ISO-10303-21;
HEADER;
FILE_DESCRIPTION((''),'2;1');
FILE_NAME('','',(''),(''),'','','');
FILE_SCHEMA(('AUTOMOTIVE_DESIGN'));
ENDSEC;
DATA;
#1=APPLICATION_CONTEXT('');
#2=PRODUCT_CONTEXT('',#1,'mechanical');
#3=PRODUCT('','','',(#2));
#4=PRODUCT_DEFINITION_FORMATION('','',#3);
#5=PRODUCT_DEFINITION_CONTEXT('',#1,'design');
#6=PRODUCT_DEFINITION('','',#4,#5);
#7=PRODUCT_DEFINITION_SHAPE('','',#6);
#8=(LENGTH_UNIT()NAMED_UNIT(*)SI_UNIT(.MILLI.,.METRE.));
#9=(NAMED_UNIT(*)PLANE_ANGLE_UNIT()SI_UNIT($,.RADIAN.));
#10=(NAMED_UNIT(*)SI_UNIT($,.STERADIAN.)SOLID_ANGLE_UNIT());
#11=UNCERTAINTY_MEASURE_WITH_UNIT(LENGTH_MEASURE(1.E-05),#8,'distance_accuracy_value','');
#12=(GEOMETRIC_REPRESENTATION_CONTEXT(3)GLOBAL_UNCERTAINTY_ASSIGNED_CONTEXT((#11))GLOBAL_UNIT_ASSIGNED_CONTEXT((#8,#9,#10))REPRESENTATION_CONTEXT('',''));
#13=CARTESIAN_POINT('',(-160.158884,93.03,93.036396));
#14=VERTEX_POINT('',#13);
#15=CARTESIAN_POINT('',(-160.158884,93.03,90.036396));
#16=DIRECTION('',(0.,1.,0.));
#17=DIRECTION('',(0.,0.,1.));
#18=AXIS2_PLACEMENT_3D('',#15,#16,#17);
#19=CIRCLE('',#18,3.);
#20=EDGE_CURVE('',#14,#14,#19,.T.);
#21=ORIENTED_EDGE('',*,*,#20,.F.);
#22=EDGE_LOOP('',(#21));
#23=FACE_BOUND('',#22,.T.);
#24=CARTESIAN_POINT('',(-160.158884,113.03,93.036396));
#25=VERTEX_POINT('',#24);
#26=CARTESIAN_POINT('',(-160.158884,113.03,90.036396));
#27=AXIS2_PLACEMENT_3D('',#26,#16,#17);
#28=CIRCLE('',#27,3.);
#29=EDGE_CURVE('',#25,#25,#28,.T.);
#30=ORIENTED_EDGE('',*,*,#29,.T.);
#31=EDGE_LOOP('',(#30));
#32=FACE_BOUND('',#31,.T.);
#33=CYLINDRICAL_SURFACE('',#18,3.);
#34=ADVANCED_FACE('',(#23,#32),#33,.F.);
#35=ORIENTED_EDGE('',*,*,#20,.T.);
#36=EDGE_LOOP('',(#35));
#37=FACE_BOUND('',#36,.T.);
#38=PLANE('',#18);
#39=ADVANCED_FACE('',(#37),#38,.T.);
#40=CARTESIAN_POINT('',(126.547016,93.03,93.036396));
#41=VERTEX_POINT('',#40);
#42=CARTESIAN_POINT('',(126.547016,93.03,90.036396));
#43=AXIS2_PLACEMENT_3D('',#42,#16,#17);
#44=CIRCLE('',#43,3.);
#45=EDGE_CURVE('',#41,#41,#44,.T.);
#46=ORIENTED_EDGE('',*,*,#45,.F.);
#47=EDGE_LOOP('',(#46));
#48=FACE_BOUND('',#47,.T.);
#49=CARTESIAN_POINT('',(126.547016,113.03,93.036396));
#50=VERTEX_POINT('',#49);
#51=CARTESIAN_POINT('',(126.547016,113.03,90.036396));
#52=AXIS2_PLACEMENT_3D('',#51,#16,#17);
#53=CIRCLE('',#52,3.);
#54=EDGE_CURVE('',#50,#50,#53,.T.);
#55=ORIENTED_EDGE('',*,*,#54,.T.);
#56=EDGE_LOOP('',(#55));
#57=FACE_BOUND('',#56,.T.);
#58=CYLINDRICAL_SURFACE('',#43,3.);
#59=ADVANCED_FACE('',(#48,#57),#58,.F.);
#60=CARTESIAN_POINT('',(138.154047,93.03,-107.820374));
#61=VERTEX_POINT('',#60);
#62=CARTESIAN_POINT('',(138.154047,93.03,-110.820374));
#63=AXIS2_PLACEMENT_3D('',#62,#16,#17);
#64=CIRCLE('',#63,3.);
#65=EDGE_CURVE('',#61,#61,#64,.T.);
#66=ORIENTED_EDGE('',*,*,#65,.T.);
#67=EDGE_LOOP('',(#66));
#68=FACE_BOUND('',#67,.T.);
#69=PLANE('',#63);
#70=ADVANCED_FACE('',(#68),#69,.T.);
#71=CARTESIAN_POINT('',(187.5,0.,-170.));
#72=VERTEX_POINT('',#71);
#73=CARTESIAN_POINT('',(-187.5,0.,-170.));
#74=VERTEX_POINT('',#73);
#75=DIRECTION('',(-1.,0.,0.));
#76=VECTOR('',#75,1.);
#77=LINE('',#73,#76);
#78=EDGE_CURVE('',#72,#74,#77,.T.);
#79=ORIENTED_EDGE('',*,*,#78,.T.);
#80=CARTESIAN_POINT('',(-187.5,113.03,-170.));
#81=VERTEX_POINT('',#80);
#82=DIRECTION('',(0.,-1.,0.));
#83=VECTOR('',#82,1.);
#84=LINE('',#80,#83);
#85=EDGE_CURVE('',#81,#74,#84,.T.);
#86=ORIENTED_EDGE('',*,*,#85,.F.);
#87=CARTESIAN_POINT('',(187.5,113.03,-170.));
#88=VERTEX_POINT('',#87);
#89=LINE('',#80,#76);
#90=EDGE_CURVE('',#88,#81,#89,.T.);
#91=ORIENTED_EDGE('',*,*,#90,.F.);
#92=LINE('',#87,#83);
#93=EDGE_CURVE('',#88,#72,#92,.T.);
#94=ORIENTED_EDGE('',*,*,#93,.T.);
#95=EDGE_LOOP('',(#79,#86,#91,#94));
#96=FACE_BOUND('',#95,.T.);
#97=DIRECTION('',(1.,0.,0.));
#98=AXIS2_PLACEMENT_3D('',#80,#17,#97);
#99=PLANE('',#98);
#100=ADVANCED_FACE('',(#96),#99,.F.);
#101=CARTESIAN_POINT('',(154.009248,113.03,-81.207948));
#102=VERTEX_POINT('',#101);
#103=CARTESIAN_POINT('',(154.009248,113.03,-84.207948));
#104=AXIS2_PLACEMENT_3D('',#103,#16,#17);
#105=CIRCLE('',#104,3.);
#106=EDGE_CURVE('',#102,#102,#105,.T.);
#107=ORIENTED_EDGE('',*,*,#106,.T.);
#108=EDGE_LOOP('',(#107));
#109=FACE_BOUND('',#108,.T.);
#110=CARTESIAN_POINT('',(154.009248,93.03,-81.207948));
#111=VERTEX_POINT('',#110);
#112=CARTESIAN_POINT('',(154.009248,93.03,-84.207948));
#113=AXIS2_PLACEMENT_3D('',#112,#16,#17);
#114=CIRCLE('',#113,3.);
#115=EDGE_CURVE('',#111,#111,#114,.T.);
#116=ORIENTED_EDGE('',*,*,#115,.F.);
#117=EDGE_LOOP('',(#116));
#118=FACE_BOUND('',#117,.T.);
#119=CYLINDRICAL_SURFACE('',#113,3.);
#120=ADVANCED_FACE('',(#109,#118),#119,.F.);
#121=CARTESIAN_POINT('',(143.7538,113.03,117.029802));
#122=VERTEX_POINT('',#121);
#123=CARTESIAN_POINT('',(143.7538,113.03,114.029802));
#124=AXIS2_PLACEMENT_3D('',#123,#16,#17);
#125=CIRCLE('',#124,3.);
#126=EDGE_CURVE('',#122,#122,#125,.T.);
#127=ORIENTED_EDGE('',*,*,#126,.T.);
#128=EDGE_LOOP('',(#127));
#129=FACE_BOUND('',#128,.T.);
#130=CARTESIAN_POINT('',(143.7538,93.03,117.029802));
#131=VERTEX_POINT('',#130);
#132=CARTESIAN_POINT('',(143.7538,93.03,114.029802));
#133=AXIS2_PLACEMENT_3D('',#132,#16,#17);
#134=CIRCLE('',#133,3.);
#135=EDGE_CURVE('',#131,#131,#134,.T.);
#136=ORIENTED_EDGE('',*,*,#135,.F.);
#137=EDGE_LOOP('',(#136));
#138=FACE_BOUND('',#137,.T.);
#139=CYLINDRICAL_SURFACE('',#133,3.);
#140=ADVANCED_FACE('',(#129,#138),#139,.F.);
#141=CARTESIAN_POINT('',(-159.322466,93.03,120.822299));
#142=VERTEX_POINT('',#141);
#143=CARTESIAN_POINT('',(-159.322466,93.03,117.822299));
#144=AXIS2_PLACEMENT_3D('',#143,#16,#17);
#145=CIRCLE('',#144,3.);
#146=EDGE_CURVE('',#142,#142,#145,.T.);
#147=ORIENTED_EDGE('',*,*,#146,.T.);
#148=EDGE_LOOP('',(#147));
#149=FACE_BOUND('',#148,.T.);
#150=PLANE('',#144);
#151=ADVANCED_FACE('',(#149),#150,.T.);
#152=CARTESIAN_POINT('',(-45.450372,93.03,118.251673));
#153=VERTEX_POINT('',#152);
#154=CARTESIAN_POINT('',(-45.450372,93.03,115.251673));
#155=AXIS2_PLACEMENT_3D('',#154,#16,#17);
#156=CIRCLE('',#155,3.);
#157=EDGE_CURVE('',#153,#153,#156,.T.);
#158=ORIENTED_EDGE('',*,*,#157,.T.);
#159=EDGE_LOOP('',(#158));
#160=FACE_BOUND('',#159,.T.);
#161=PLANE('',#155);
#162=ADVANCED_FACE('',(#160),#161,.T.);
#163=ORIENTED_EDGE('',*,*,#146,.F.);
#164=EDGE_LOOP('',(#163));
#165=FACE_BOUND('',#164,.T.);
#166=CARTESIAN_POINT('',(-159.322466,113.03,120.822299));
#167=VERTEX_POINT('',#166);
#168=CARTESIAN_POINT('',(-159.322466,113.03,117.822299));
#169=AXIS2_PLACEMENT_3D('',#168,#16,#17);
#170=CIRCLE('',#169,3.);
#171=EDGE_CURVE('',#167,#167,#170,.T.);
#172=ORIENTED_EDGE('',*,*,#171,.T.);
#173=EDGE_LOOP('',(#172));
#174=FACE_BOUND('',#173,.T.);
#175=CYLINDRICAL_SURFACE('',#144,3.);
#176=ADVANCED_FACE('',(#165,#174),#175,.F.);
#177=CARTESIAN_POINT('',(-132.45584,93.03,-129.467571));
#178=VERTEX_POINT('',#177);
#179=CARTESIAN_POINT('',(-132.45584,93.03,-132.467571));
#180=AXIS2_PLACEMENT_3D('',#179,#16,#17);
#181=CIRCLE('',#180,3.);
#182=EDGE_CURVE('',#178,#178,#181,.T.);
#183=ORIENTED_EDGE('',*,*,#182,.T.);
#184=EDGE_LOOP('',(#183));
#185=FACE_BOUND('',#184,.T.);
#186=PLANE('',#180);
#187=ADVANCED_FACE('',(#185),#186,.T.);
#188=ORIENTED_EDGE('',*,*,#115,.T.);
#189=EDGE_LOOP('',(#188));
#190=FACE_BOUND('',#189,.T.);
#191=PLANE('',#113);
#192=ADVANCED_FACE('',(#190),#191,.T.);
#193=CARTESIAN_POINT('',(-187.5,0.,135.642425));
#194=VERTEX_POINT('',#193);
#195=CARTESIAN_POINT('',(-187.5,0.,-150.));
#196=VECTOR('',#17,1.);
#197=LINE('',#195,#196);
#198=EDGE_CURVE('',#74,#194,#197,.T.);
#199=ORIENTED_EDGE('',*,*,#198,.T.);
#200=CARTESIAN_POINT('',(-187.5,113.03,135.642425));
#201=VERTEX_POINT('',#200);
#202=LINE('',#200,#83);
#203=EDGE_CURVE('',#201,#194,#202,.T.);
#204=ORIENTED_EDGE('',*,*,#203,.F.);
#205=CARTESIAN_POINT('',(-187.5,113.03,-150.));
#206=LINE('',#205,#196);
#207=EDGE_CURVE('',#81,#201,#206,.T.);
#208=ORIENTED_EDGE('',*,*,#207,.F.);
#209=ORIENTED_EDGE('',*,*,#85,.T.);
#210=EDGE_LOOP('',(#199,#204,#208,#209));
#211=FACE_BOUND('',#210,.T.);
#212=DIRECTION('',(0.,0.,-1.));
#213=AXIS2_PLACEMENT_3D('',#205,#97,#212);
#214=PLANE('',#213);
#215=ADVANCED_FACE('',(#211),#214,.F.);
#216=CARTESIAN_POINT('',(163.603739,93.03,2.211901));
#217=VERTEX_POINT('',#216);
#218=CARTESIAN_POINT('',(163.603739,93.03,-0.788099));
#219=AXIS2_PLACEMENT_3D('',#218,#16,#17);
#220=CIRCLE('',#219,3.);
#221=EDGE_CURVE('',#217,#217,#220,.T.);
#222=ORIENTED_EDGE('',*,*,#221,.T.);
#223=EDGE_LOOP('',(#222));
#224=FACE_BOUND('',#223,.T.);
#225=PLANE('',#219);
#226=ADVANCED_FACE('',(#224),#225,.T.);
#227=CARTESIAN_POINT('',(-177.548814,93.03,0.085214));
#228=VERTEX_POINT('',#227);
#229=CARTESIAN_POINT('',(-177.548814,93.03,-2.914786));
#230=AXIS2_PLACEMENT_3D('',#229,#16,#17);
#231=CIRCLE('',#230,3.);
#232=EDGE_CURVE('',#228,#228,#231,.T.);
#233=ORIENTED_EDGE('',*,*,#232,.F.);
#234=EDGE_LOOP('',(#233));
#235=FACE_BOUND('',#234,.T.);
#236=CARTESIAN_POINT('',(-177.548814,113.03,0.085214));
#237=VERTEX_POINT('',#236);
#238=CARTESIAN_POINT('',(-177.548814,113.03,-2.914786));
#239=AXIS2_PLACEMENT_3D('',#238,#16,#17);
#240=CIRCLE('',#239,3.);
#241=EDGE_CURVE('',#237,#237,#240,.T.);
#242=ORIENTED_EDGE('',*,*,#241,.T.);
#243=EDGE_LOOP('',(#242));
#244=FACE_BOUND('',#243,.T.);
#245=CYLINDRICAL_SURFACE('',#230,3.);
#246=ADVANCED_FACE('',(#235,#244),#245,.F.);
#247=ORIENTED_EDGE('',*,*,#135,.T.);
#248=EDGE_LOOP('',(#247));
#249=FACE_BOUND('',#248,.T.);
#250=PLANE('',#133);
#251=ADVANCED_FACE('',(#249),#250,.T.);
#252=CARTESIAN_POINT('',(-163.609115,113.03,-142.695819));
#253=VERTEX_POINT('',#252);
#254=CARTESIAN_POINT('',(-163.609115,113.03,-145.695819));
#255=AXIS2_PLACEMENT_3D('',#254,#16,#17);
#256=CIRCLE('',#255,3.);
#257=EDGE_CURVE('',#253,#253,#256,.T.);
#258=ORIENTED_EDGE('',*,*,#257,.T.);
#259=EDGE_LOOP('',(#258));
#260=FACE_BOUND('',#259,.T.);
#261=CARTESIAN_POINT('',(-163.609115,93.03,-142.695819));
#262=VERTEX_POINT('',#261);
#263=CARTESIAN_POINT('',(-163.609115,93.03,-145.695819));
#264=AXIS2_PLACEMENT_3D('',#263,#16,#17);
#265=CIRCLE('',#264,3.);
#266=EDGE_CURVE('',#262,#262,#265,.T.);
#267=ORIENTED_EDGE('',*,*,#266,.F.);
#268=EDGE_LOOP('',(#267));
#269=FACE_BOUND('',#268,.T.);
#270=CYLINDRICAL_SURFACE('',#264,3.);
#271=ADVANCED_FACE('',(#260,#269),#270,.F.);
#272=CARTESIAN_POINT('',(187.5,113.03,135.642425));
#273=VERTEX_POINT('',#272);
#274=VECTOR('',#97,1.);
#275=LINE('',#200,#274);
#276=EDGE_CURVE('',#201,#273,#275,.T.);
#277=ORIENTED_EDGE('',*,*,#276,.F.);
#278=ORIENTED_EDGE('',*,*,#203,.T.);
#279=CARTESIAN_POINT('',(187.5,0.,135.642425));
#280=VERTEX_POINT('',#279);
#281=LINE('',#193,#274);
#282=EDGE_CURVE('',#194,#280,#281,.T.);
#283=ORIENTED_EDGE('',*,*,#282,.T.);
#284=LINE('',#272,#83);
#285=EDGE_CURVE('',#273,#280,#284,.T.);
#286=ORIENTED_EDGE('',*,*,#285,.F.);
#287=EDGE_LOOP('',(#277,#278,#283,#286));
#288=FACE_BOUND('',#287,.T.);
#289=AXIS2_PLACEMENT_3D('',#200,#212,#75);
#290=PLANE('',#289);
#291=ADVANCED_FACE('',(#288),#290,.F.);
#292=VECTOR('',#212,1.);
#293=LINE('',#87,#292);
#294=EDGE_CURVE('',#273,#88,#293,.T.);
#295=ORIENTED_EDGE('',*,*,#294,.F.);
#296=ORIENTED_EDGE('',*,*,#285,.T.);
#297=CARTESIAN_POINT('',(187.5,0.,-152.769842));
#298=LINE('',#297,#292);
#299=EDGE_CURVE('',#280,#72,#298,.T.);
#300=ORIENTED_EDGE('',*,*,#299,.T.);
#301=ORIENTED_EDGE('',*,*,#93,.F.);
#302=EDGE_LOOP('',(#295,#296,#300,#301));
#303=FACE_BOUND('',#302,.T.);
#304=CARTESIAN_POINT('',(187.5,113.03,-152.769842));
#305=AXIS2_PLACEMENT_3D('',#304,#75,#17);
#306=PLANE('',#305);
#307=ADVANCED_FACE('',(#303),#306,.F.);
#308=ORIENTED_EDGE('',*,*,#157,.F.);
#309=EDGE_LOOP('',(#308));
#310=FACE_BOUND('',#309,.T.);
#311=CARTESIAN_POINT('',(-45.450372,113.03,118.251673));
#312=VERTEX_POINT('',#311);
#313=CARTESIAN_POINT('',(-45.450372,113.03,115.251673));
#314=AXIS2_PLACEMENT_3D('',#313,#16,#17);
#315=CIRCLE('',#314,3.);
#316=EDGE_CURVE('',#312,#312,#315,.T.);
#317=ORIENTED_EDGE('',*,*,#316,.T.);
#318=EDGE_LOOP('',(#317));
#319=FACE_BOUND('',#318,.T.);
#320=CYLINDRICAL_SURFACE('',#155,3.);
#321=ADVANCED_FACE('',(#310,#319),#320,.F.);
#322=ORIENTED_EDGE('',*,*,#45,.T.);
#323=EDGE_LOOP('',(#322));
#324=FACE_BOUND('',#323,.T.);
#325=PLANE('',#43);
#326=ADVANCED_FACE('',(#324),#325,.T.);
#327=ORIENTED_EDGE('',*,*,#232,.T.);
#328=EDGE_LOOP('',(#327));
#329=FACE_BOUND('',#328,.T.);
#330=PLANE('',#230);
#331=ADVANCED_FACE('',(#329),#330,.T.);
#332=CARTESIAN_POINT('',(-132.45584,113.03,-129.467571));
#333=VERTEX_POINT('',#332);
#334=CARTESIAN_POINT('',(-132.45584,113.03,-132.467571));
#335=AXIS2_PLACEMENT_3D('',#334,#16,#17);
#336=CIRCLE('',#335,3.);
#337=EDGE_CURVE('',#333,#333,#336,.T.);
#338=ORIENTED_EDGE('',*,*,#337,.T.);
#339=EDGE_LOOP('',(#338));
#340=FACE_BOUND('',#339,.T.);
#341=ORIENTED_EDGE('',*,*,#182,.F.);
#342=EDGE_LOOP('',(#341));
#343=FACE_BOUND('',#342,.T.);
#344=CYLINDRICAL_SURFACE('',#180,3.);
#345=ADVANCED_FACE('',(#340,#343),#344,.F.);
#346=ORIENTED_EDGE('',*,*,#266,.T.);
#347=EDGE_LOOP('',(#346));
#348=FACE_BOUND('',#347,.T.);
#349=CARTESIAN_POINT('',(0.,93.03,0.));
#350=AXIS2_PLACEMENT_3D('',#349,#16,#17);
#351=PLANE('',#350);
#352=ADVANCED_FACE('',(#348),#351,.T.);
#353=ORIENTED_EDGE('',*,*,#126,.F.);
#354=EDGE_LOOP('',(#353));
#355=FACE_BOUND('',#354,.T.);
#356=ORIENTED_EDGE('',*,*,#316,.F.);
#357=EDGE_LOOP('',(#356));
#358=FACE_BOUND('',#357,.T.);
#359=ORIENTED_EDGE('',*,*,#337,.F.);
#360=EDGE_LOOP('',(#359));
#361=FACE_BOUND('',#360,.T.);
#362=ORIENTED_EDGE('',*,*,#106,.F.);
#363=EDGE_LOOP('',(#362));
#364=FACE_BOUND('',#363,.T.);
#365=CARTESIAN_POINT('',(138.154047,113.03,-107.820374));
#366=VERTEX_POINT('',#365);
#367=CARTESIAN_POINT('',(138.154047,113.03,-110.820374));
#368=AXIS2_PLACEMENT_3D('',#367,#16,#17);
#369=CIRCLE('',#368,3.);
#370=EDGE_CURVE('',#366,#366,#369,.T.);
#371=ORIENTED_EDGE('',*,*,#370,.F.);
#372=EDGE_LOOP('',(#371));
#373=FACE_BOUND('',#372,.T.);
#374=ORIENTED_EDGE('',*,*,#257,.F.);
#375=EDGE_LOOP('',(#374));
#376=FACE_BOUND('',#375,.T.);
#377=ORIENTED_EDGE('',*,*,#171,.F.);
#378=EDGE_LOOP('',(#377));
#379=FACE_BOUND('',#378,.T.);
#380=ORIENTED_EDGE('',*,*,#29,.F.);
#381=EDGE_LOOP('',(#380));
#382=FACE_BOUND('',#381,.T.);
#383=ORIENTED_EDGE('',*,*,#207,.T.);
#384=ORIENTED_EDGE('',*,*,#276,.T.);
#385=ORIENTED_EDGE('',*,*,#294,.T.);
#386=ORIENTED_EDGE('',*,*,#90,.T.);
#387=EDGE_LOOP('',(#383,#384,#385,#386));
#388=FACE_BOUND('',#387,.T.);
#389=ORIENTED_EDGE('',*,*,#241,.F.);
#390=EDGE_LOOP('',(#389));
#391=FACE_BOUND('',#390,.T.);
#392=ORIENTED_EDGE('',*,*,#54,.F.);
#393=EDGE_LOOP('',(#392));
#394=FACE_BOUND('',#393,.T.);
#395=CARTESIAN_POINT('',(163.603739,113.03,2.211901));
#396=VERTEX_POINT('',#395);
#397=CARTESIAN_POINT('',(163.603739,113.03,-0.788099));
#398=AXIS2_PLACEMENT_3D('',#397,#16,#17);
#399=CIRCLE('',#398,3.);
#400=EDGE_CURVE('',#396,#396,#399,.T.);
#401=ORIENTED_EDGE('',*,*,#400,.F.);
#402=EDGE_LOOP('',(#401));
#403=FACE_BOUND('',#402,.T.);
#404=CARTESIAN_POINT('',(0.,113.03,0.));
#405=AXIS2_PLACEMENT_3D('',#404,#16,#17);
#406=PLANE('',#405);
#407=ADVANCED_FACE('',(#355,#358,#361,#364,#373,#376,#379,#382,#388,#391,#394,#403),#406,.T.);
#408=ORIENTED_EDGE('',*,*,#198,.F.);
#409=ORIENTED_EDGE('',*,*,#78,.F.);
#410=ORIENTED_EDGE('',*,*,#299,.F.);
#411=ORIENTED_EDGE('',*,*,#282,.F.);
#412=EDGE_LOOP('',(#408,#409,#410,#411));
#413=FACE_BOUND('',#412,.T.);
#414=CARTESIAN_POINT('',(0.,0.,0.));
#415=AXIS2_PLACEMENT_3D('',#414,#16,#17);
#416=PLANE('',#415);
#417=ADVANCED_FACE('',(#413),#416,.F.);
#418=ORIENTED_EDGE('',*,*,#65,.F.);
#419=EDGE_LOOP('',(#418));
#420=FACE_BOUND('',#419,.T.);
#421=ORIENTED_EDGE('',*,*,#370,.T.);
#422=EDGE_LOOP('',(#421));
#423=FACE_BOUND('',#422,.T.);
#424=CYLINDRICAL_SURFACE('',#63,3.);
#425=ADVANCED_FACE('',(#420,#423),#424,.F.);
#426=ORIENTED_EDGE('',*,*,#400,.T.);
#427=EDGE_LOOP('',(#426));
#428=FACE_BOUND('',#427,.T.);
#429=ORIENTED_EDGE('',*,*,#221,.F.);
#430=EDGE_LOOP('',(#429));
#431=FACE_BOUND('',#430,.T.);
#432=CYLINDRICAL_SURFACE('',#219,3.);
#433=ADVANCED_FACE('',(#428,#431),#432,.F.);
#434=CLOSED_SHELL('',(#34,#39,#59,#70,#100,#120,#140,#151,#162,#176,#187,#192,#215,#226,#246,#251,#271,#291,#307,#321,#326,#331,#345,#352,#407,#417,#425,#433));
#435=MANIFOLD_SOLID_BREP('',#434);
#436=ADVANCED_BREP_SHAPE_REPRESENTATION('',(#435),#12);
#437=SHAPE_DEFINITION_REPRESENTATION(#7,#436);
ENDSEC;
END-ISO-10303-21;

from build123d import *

# Parameters (mm, degrees)
BOSS_EXTRUDE1_DEPTH = 113.03
A_ARM_SKETCHES_R    = 3
A_ARM_HOLES_DEPTH   = 20


with BuildPart() as part:
    # Sketch1 → Boss-Extrude1 (new body)
    with BuildSketch(Plane(origin=(0, 0, 0), x_dir=(1, 0, 0), z_dir=(0, 1, 0))):
        Polygon((-187.5, 150), (-187.5, 170), (187.5, 170), (187.5, 152.769842226), (187.5, -135.642424533), (-187.5, -135.642424533), align=None)
    extrude(amount=BOSS_EXTRUDE1_DEPTH)

    # A-ARM SKETCHES → A-ARM HOLES (cut)
    with BuildSketch(Plane(origin=(0, 113.03, 0), x_dir=(1, 0, 0), z_dir=(0, 1, 0))):
        with Locations(Location((-163.609115423, 145.695818662, 0), (0, 0, 270))):
            Circle(A_ARM_SKETCHES_R)
        with Locations(Location((-132.455839765, 132.467571365, 0), (0, 0, 270))):
            Circle(A_ARM_SKETCHES_R)
        with Locations(Location((-177.54881427, 2.914785745, 0), (0, 0, 270))):
            Circle(A_ARM_SKETCHES_R)
        with Locations(Location((-160.15888427, -90.036396379, 0), (0, 0, 270))):
            Circle(A_ARM_SKETCHES_R)
        with Locations(Location((-159.322465718, -117.822298669, 0), (0, 0, 270))):
            Circle(A_ARM_SKETCHES_R)
        with Locations(Location((-45.450372331, -115.251672549, 0), (0, 0, 270))):
            Circle(A_ARM_SKETCHES_R)
        with Locations(Location((143.753799676, -114.029801923, 0), (0, 0, 270))):
            Circle(A_ARM_SKETCHES_R)
        with Locations(Location((126.54701573, -90.036396379, 0), (0, 0, 270))):
            Circle(A_ARM_SKETCHES_R)
        with Locations(Location((163.603739253, 0.788099457, 0), (0, 0, 270))):
            Circle(A_ARM_SKETCHES_R)
        with Locations(Location((154.009247845, 84.207947628, 0), (0, 0, 270))):
            Circle(A_ARM_SKETCHES_R)
        with Locations(Location((138.154047489, 110.820373833, 0), (0, 0, 270))):
            Circle(A_ARM_SKETCHES_R)
    extrude(amount=-A_ARM_HOLES_DEPTH, mode=Mode.SUBTRACT)


solid = part.part
